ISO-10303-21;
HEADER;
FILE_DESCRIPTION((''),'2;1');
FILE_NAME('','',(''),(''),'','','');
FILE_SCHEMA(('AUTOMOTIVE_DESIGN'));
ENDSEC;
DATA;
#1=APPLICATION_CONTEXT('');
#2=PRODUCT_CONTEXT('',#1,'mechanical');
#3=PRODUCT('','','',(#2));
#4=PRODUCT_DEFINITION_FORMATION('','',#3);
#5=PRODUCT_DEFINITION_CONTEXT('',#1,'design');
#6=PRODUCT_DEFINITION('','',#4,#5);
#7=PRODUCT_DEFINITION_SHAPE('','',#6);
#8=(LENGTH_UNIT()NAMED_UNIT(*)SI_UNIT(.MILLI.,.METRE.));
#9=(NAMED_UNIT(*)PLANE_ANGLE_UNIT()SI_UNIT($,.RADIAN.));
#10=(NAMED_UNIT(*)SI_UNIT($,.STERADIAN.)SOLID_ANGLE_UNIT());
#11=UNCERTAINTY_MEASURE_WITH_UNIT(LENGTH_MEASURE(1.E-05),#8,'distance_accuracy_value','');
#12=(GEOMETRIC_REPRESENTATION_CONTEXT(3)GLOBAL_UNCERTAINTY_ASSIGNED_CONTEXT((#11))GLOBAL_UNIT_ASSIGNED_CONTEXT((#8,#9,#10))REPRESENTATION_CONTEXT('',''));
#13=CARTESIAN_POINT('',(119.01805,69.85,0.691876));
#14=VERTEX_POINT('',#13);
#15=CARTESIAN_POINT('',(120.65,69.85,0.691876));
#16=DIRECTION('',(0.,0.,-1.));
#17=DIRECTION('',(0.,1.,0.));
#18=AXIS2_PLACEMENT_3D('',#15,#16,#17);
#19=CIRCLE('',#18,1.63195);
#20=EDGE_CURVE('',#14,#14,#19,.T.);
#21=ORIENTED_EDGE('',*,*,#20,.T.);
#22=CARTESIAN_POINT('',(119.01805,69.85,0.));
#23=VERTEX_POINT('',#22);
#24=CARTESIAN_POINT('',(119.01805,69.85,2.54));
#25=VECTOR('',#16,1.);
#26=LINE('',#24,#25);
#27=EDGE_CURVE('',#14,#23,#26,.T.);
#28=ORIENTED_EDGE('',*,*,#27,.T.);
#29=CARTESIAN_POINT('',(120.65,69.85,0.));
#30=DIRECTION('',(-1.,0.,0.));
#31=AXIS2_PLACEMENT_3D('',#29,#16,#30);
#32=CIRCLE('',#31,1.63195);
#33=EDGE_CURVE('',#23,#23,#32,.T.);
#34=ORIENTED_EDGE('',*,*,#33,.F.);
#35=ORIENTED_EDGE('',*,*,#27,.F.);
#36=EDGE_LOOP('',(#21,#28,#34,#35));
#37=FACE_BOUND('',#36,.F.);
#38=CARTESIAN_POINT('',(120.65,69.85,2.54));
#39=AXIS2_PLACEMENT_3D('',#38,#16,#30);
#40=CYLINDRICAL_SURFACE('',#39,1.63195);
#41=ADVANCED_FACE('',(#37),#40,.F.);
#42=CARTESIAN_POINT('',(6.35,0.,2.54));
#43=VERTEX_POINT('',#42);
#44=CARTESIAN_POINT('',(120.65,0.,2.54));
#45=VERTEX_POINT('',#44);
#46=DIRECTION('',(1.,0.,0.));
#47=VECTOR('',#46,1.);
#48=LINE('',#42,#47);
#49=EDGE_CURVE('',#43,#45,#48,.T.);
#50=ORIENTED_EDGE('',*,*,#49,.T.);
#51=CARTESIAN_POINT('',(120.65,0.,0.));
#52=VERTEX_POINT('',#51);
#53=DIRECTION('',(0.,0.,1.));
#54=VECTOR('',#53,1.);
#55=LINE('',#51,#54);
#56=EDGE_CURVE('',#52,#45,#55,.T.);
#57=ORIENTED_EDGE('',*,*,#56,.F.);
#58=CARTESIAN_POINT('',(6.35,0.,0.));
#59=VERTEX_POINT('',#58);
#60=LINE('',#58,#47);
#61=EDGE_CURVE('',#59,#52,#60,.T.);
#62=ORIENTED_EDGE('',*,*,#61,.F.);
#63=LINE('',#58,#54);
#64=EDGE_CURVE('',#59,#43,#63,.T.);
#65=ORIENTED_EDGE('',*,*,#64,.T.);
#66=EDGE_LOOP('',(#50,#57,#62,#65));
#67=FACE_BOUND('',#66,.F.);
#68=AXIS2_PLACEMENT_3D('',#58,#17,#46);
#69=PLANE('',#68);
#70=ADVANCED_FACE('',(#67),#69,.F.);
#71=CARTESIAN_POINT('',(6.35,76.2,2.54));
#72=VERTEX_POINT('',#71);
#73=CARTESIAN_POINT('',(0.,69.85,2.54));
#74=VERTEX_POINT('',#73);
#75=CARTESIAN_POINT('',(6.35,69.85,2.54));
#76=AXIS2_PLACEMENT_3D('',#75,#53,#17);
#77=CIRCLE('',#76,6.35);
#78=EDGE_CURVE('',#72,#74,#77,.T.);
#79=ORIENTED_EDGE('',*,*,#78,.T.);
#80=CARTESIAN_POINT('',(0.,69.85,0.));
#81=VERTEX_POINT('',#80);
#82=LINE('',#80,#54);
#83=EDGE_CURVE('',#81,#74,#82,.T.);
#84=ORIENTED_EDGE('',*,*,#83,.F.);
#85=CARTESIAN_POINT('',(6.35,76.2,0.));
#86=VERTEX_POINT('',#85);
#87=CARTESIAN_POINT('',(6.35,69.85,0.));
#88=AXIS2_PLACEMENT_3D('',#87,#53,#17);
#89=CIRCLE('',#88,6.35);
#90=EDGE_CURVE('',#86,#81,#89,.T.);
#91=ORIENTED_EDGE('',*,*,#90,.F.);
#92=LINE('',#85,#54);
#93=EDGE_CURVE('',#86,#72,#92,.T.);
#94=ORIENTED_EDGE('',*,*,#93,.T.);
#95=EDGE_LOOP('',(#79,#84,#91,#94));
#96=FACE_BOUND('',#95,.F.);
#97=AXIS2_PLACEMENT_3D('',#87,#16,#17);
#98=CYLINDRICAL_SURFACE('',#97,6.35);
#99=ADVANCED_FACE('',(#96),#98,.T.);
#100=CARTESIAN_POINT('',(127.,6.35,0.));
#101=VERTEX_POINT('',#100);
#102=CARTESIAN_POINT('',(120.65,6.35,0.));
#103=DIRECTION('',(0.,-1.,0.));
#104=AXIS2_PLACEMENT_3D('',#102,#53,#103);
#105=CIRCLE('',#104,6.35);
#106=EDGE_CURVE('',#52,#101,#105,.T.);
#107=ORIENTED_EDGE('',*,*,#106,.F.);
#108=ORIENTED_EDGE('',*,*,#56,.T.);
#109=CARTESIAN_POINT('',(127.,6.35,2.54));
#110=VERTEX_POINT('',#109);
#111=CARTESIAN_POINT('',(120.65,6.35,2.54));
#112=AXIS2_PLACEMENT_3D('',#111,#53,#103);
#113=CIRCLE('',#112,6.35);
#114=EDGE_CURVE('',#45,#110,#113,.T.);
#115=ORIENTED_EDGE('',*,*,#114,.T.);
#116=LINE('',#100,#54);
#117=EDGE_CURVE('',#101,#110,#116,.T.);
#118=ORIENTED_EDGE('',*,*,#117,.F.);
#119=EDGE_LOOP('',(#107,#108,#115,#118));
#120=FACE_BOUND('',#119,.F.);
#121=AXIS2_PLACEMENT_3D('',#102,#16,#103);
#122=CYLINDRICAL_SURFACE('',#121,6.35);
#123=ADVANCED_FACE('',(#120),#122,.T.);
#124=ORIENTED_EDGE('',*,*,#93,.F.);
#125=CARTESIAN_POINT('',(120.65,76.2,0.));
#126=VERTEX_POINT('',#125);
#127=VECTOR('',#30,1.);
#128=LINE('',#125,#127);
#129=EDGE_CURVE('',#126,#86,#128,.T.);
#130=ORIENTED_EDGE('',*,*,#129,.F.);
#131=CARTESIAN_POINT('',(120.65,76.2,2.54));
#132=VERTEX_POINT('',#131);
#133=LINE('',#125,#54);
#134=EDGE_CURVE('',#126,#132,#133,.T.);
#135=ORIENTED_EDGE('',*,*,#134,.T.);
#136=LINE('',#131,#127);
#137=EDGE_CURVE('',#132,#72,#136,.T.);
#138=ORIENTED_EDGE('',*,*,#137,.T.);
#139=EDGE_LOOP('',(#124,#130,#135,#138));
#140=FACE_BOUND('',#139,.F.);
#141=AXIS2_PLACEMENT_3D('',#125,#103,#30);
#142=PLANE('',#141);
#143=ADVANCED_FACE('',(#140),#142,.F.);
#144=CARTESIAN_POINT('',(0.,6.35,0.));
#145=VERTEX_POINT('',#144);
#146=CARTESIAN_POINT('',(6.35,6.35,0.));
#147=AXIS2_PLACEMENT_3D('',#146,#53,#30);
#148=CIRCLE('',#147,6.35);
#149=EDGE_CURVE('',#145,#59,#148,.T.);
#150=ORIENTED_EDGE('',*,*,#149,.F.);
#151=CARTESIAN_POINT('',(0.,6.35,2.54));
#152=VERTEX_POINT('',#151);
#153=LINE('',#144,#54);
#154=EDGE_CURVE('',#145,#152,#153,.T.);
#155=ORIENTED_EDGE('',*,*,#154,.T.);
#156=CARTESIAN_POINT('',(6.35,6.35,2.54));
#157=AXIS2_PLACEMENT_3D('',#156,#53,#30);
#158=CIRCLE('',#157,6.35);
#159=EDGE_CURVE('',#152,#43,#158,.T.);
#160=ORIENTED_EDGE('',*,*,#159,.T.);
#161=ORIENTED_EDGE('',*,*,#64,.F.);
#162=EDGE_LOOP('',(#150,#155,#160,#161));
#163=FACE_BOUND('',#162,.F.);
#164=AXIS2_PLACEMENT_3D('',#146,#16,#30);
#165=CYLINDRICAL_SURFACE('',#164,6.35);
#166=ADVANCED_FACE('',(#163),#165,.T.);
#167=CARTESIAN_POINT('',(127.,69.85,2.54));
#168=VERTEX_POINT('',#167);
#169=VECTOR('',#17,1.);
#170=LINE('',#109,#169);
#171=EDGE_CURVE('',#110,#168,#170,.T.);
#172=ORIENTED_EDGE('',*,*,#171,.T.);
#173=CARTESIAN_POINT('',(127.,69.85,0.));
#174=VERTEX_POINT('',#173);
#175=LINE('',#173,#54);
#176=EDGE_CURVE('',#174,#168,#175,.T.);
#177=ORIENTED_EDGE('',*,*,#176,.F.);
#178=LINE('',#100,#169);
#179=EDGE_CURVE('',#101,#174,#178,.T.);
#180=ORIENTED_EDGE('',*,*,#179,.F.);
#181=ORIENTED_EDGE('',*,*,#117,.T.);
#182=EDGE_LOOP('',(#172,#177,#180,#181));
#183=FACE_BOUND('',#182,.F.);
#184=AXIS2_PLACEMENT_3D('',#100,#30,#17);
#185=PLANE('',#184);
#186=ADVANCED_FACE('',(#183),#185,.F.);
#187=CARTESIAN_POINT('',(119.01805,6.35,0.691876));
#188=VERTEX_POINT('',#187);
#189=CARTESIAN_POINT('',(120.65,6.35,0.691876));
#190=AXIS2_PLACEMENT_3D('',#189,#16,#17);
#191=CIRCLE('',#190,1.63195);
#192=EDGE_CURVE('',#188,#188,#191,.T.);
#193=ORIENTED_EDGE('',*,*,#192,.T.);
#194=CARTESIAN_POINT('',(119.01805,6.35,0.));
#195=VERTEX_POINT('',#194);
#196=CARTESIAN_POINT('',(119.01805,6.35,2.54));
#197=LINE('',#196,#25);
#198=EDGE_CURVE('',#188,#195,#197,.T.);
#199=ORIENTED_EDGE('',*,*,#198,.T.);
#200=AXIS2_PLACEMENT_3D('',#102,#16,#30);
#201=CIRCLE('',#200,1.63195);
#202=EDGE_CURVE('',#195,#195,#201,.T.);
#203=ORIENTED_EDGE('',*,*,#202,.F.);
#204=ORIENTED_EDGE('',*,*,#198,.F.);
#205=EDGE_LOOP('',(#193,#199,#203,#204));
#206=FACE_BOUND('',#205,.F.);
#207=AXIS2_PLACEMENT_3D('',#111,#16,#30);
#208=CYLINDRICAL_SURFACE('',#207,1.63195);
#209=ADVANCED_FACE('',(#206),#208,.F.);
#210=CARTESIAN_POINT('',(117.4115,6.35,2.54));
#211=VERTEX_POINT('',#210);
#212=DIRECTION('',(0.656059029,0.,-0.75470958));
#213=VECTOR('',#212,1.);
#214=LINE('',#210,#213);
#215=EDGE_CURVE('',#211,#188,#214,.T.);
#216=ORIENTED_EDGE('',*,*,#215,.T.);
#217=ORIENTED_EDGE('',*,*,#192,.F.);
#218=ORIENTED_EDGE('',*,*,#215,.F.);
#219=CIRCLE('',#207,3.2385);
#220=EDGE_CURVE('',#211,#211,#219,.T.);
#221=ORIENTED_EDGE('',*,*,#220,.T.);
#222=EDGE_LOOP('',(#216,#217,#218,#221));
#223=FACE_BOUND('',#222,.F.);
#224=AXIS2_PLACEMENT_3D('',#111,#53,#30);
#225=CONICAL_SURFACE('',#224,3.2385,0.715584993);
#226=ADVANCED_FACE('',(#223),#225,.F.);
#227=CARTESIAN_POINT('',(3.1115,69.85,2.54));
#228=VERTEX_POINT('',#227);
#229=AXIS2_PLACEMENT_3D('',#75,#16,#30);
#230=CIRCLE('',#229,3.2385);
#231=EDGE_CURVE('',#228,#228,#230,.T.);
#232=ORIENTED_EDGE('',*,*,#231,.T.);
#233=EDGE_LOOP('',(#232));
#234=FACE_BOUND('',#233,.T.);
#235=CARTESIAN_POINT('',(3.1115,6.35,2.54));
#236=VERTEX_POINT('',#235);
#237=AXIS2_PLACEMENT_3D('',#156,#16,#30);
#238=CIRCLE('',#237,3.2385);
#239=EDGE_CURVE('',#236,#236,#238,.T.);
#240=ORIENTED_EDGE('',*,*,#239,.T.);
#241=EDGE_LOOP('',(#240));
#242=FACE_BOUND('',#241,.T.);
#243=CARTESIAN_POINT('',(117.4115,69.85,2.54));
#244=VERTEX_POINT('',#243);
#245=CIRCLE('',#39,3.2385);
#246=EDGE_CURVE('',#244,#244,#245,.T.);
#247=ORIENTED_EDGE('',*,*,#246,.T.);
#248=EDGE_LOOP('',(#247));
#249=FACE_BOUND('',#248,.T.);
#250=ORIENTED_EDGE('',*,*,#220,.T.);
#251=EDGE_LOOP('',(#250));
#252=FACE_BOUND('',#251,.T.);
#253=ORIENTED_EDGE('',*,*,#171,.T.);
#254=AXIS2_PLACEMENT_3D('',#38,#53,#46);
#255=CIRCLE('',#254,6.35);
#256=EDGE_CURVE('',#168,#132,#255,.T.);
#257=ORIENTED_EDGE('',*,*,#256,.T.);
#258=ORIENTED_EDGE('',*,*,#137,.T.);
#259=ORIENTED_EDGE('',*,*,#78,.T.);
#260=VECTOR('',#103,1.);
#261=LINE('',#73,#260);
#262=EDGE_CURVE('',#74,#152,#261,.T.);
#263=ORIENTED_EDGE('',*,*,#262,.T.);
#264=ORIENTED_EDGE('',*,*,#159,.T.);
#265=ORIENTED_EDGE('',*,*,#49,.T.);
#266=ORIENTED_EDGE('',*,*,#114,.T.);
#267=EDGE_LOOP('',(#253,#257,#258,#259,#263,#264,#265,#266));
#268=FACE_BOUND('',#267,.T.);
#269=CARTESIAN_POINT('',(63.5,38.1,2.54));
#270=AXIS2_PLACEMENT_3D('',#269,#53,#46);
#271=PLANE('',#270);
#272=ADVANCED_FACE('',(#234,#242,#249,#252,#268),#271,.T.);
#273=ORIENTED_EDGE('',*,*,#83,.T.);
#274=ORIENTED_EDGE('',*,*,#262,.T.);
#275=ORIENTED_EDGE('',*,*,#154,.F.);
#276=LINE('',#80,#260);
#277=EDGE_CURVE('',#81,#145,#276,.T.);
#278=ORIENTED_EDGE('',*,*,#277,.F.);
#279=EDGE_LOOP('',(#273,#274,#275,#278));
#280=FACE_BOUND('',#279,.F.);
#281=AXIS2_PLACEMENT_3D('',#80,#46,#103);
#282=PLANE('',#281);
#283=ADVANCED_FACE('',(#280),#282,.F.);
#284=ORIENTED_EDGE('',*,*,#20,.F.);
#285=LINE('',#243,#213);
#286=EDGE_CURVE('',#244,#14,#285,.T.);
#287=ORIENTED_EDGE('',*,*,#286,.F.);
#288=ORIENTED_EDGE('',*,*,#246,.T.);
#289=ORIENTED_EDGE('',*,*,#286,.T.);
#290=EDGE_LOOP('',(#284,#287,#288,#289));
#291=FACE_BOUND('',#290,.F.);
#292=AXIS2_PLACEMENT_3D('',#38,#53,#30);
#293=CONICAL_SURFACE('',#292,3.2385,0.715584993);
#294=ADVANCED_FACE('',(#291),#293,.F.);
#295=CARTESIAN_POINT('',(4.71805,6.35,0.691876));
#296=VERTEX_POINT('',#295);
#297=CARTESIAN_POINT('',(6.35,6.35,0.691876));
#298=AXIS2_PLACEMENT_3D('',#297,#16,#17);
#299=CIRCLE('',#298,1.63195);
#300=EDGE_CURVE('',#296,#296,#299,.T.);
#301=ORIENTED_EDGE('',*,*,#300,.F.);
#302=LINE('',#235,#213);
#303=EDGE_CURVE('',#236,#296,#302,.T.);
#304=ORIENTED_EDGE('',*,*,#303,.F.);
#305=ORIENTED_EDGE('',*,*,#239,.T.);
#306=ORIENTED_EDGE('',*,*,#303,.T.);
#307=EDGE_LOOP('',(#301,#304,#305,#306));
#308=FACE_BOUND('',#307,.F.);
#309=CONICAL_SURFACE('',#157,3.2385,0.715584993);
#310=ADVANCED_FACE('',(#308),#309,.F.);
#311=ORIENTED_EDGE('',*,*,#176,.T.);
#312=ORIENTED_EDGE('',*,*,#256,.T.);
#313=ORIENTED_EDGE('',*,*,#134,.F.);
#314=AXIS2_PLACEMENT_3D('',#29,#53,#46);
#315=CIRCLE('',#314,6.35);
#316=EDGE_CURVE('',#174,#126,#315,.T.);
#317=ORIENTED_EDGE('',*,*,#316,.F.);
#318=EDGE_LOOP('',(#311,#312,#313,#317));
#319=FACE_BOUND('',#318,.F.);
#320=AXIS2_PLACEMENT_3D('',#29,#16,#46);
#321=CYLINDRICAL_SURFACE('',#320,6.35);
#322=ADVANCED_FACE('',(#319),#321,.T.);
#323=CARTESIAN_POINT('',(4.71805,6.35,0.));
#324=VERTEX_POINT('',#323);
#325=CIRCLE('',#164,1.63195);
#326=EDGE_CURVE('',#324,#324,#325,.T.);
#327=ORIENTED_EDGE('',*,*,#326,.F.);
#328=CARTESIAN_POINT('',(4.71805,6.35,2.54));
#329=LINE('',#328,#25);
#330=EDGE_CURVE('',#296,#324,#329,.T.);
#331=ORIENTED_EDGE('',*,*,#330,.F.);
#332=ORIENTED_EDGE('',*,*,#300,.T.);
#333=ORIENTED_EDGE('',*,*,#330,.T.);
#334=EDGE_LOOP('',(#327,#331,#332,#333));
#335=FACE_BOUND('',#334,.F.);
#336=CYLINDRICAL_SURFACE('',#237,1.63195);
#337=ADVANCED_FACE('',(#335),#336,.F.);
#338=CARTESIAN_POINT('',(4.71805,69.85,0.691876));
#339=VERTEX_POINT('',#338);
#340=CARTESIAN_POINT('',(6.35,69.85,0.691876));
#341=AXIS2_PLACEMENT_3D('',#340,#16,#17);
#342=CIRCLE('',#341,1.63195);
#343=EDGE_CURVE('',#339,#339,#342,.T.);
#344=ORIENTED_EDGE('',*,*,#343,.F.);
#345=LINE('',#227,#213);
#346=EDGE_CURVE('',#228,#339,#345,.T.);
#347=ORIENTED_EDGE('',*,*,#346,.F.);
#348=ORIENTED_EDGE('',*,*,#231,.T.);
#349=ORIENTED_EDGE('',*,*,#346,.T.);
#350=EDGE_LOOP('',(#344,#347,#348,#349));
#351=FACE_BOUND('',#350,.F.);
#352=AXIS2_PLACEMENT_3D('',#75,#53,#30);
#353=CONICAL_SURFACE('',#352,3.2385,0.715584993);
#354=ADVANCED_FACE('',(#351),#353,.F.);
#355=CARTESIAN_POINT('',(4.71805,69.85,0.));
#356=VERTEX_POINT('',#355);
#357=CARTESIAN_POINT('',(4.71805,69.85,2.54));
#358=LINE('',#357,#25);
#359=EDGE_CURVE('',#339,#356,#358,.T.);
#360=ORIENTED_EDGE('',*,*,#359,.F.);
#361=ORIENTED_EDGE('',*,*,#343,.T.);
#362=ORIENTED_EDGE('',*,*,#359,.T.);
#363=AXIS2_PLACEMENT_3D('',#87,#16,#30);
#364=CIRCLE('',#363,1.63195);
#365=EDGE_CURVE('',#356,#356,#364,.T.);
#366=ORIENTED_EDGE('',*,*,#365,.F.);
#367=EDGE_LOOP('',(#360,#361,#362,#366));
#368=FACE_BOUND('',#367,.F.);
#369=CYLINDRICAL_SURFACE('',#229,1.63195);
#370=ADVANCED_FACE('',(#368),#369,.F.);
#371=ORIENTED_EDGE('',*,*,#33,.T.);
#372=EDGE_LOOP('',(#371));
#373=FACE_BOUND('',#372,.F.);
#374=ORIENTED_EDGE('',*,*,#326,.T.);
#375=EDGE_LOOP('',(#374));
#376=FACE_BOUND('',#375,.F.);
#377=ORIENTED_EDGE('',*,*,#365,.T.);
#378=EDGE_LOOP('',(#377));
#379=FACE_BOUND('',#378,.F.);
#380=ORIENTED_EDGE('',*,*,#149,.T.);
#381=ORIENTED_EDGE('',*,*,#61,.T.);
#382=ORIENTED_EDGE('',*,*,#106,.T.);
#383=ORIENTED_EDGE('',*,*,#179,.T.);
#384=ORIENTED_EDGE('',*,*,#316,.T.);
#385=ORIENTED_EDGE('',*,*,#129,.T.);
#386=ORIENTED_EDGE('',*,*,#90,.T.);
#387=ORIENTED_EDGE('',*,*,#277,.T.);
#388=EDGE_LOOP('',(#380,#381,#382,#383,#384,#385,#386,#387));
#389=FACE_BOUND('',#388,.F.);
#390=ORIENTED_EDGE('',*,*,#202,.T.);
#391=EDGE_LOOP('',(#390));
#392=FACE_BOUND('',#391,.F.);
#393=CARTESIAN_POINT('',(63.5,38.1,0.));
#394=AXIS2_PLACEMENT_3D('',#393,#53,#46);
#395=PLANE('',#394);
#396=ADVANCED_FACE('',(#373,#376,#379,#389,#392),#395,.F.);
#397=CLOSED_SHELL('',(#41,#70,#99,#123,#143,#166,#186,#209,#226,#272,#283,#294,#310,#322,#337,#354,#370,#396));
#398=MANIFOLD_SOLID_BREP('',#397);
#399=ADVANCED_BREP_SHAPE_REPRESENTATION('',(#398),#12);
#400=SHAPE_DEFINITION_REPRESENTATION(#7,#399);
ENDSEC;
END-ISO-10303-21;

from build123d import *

# Parameters (mm, degrees)
F1_DEPTH       = 2.54
F3_D           = 3.2639
F3_CSINK_D     = 6.477
F3_CSINK_ANGLE = 82


with BuildPart() as f1:
    # F0 (on Top) → F1 (new body)
    with BuildSketch(Plane.XY):
        with BuildLine():
            Line((120.65, 76.2), (6.35, 76.2))
            ThreePointArc((6.35, 76.2), (1.8598719395, 74.3401280605), (0, 69.85))
            Line((0, 69.85), (0, 6.35))
            ThreePointArc((0, 6.35), (1.8598719395, 1.8598719395), (6.35, 0))
            Line((6.35, 0), (120.65, 0))
            ThreePointArc((120.65, 0), (125.1401280605, 1.8598719395), (127, 6.35))
            Line((127, 6.35), (127, 69.85))
            ThreePointArc((127, 69.85), (125.1401280605, 74.3401280605), (120.65, 76.2))
        make_face()
    extrude(amount=F1_DEPTH)

    # F3 (through all)
    with Locations(Plane.XY.offset(2.54)):
        with Locations((6.35, 69.85), (6.35, 6.35), (120.65, 6.35), (120.65, 69.85)):
            CounterSinkHole(F3_D / 2, F3_CSINK_D / 2, counter_sink_angle=F3_CSINK_ANGLE)


solid = f1.part
